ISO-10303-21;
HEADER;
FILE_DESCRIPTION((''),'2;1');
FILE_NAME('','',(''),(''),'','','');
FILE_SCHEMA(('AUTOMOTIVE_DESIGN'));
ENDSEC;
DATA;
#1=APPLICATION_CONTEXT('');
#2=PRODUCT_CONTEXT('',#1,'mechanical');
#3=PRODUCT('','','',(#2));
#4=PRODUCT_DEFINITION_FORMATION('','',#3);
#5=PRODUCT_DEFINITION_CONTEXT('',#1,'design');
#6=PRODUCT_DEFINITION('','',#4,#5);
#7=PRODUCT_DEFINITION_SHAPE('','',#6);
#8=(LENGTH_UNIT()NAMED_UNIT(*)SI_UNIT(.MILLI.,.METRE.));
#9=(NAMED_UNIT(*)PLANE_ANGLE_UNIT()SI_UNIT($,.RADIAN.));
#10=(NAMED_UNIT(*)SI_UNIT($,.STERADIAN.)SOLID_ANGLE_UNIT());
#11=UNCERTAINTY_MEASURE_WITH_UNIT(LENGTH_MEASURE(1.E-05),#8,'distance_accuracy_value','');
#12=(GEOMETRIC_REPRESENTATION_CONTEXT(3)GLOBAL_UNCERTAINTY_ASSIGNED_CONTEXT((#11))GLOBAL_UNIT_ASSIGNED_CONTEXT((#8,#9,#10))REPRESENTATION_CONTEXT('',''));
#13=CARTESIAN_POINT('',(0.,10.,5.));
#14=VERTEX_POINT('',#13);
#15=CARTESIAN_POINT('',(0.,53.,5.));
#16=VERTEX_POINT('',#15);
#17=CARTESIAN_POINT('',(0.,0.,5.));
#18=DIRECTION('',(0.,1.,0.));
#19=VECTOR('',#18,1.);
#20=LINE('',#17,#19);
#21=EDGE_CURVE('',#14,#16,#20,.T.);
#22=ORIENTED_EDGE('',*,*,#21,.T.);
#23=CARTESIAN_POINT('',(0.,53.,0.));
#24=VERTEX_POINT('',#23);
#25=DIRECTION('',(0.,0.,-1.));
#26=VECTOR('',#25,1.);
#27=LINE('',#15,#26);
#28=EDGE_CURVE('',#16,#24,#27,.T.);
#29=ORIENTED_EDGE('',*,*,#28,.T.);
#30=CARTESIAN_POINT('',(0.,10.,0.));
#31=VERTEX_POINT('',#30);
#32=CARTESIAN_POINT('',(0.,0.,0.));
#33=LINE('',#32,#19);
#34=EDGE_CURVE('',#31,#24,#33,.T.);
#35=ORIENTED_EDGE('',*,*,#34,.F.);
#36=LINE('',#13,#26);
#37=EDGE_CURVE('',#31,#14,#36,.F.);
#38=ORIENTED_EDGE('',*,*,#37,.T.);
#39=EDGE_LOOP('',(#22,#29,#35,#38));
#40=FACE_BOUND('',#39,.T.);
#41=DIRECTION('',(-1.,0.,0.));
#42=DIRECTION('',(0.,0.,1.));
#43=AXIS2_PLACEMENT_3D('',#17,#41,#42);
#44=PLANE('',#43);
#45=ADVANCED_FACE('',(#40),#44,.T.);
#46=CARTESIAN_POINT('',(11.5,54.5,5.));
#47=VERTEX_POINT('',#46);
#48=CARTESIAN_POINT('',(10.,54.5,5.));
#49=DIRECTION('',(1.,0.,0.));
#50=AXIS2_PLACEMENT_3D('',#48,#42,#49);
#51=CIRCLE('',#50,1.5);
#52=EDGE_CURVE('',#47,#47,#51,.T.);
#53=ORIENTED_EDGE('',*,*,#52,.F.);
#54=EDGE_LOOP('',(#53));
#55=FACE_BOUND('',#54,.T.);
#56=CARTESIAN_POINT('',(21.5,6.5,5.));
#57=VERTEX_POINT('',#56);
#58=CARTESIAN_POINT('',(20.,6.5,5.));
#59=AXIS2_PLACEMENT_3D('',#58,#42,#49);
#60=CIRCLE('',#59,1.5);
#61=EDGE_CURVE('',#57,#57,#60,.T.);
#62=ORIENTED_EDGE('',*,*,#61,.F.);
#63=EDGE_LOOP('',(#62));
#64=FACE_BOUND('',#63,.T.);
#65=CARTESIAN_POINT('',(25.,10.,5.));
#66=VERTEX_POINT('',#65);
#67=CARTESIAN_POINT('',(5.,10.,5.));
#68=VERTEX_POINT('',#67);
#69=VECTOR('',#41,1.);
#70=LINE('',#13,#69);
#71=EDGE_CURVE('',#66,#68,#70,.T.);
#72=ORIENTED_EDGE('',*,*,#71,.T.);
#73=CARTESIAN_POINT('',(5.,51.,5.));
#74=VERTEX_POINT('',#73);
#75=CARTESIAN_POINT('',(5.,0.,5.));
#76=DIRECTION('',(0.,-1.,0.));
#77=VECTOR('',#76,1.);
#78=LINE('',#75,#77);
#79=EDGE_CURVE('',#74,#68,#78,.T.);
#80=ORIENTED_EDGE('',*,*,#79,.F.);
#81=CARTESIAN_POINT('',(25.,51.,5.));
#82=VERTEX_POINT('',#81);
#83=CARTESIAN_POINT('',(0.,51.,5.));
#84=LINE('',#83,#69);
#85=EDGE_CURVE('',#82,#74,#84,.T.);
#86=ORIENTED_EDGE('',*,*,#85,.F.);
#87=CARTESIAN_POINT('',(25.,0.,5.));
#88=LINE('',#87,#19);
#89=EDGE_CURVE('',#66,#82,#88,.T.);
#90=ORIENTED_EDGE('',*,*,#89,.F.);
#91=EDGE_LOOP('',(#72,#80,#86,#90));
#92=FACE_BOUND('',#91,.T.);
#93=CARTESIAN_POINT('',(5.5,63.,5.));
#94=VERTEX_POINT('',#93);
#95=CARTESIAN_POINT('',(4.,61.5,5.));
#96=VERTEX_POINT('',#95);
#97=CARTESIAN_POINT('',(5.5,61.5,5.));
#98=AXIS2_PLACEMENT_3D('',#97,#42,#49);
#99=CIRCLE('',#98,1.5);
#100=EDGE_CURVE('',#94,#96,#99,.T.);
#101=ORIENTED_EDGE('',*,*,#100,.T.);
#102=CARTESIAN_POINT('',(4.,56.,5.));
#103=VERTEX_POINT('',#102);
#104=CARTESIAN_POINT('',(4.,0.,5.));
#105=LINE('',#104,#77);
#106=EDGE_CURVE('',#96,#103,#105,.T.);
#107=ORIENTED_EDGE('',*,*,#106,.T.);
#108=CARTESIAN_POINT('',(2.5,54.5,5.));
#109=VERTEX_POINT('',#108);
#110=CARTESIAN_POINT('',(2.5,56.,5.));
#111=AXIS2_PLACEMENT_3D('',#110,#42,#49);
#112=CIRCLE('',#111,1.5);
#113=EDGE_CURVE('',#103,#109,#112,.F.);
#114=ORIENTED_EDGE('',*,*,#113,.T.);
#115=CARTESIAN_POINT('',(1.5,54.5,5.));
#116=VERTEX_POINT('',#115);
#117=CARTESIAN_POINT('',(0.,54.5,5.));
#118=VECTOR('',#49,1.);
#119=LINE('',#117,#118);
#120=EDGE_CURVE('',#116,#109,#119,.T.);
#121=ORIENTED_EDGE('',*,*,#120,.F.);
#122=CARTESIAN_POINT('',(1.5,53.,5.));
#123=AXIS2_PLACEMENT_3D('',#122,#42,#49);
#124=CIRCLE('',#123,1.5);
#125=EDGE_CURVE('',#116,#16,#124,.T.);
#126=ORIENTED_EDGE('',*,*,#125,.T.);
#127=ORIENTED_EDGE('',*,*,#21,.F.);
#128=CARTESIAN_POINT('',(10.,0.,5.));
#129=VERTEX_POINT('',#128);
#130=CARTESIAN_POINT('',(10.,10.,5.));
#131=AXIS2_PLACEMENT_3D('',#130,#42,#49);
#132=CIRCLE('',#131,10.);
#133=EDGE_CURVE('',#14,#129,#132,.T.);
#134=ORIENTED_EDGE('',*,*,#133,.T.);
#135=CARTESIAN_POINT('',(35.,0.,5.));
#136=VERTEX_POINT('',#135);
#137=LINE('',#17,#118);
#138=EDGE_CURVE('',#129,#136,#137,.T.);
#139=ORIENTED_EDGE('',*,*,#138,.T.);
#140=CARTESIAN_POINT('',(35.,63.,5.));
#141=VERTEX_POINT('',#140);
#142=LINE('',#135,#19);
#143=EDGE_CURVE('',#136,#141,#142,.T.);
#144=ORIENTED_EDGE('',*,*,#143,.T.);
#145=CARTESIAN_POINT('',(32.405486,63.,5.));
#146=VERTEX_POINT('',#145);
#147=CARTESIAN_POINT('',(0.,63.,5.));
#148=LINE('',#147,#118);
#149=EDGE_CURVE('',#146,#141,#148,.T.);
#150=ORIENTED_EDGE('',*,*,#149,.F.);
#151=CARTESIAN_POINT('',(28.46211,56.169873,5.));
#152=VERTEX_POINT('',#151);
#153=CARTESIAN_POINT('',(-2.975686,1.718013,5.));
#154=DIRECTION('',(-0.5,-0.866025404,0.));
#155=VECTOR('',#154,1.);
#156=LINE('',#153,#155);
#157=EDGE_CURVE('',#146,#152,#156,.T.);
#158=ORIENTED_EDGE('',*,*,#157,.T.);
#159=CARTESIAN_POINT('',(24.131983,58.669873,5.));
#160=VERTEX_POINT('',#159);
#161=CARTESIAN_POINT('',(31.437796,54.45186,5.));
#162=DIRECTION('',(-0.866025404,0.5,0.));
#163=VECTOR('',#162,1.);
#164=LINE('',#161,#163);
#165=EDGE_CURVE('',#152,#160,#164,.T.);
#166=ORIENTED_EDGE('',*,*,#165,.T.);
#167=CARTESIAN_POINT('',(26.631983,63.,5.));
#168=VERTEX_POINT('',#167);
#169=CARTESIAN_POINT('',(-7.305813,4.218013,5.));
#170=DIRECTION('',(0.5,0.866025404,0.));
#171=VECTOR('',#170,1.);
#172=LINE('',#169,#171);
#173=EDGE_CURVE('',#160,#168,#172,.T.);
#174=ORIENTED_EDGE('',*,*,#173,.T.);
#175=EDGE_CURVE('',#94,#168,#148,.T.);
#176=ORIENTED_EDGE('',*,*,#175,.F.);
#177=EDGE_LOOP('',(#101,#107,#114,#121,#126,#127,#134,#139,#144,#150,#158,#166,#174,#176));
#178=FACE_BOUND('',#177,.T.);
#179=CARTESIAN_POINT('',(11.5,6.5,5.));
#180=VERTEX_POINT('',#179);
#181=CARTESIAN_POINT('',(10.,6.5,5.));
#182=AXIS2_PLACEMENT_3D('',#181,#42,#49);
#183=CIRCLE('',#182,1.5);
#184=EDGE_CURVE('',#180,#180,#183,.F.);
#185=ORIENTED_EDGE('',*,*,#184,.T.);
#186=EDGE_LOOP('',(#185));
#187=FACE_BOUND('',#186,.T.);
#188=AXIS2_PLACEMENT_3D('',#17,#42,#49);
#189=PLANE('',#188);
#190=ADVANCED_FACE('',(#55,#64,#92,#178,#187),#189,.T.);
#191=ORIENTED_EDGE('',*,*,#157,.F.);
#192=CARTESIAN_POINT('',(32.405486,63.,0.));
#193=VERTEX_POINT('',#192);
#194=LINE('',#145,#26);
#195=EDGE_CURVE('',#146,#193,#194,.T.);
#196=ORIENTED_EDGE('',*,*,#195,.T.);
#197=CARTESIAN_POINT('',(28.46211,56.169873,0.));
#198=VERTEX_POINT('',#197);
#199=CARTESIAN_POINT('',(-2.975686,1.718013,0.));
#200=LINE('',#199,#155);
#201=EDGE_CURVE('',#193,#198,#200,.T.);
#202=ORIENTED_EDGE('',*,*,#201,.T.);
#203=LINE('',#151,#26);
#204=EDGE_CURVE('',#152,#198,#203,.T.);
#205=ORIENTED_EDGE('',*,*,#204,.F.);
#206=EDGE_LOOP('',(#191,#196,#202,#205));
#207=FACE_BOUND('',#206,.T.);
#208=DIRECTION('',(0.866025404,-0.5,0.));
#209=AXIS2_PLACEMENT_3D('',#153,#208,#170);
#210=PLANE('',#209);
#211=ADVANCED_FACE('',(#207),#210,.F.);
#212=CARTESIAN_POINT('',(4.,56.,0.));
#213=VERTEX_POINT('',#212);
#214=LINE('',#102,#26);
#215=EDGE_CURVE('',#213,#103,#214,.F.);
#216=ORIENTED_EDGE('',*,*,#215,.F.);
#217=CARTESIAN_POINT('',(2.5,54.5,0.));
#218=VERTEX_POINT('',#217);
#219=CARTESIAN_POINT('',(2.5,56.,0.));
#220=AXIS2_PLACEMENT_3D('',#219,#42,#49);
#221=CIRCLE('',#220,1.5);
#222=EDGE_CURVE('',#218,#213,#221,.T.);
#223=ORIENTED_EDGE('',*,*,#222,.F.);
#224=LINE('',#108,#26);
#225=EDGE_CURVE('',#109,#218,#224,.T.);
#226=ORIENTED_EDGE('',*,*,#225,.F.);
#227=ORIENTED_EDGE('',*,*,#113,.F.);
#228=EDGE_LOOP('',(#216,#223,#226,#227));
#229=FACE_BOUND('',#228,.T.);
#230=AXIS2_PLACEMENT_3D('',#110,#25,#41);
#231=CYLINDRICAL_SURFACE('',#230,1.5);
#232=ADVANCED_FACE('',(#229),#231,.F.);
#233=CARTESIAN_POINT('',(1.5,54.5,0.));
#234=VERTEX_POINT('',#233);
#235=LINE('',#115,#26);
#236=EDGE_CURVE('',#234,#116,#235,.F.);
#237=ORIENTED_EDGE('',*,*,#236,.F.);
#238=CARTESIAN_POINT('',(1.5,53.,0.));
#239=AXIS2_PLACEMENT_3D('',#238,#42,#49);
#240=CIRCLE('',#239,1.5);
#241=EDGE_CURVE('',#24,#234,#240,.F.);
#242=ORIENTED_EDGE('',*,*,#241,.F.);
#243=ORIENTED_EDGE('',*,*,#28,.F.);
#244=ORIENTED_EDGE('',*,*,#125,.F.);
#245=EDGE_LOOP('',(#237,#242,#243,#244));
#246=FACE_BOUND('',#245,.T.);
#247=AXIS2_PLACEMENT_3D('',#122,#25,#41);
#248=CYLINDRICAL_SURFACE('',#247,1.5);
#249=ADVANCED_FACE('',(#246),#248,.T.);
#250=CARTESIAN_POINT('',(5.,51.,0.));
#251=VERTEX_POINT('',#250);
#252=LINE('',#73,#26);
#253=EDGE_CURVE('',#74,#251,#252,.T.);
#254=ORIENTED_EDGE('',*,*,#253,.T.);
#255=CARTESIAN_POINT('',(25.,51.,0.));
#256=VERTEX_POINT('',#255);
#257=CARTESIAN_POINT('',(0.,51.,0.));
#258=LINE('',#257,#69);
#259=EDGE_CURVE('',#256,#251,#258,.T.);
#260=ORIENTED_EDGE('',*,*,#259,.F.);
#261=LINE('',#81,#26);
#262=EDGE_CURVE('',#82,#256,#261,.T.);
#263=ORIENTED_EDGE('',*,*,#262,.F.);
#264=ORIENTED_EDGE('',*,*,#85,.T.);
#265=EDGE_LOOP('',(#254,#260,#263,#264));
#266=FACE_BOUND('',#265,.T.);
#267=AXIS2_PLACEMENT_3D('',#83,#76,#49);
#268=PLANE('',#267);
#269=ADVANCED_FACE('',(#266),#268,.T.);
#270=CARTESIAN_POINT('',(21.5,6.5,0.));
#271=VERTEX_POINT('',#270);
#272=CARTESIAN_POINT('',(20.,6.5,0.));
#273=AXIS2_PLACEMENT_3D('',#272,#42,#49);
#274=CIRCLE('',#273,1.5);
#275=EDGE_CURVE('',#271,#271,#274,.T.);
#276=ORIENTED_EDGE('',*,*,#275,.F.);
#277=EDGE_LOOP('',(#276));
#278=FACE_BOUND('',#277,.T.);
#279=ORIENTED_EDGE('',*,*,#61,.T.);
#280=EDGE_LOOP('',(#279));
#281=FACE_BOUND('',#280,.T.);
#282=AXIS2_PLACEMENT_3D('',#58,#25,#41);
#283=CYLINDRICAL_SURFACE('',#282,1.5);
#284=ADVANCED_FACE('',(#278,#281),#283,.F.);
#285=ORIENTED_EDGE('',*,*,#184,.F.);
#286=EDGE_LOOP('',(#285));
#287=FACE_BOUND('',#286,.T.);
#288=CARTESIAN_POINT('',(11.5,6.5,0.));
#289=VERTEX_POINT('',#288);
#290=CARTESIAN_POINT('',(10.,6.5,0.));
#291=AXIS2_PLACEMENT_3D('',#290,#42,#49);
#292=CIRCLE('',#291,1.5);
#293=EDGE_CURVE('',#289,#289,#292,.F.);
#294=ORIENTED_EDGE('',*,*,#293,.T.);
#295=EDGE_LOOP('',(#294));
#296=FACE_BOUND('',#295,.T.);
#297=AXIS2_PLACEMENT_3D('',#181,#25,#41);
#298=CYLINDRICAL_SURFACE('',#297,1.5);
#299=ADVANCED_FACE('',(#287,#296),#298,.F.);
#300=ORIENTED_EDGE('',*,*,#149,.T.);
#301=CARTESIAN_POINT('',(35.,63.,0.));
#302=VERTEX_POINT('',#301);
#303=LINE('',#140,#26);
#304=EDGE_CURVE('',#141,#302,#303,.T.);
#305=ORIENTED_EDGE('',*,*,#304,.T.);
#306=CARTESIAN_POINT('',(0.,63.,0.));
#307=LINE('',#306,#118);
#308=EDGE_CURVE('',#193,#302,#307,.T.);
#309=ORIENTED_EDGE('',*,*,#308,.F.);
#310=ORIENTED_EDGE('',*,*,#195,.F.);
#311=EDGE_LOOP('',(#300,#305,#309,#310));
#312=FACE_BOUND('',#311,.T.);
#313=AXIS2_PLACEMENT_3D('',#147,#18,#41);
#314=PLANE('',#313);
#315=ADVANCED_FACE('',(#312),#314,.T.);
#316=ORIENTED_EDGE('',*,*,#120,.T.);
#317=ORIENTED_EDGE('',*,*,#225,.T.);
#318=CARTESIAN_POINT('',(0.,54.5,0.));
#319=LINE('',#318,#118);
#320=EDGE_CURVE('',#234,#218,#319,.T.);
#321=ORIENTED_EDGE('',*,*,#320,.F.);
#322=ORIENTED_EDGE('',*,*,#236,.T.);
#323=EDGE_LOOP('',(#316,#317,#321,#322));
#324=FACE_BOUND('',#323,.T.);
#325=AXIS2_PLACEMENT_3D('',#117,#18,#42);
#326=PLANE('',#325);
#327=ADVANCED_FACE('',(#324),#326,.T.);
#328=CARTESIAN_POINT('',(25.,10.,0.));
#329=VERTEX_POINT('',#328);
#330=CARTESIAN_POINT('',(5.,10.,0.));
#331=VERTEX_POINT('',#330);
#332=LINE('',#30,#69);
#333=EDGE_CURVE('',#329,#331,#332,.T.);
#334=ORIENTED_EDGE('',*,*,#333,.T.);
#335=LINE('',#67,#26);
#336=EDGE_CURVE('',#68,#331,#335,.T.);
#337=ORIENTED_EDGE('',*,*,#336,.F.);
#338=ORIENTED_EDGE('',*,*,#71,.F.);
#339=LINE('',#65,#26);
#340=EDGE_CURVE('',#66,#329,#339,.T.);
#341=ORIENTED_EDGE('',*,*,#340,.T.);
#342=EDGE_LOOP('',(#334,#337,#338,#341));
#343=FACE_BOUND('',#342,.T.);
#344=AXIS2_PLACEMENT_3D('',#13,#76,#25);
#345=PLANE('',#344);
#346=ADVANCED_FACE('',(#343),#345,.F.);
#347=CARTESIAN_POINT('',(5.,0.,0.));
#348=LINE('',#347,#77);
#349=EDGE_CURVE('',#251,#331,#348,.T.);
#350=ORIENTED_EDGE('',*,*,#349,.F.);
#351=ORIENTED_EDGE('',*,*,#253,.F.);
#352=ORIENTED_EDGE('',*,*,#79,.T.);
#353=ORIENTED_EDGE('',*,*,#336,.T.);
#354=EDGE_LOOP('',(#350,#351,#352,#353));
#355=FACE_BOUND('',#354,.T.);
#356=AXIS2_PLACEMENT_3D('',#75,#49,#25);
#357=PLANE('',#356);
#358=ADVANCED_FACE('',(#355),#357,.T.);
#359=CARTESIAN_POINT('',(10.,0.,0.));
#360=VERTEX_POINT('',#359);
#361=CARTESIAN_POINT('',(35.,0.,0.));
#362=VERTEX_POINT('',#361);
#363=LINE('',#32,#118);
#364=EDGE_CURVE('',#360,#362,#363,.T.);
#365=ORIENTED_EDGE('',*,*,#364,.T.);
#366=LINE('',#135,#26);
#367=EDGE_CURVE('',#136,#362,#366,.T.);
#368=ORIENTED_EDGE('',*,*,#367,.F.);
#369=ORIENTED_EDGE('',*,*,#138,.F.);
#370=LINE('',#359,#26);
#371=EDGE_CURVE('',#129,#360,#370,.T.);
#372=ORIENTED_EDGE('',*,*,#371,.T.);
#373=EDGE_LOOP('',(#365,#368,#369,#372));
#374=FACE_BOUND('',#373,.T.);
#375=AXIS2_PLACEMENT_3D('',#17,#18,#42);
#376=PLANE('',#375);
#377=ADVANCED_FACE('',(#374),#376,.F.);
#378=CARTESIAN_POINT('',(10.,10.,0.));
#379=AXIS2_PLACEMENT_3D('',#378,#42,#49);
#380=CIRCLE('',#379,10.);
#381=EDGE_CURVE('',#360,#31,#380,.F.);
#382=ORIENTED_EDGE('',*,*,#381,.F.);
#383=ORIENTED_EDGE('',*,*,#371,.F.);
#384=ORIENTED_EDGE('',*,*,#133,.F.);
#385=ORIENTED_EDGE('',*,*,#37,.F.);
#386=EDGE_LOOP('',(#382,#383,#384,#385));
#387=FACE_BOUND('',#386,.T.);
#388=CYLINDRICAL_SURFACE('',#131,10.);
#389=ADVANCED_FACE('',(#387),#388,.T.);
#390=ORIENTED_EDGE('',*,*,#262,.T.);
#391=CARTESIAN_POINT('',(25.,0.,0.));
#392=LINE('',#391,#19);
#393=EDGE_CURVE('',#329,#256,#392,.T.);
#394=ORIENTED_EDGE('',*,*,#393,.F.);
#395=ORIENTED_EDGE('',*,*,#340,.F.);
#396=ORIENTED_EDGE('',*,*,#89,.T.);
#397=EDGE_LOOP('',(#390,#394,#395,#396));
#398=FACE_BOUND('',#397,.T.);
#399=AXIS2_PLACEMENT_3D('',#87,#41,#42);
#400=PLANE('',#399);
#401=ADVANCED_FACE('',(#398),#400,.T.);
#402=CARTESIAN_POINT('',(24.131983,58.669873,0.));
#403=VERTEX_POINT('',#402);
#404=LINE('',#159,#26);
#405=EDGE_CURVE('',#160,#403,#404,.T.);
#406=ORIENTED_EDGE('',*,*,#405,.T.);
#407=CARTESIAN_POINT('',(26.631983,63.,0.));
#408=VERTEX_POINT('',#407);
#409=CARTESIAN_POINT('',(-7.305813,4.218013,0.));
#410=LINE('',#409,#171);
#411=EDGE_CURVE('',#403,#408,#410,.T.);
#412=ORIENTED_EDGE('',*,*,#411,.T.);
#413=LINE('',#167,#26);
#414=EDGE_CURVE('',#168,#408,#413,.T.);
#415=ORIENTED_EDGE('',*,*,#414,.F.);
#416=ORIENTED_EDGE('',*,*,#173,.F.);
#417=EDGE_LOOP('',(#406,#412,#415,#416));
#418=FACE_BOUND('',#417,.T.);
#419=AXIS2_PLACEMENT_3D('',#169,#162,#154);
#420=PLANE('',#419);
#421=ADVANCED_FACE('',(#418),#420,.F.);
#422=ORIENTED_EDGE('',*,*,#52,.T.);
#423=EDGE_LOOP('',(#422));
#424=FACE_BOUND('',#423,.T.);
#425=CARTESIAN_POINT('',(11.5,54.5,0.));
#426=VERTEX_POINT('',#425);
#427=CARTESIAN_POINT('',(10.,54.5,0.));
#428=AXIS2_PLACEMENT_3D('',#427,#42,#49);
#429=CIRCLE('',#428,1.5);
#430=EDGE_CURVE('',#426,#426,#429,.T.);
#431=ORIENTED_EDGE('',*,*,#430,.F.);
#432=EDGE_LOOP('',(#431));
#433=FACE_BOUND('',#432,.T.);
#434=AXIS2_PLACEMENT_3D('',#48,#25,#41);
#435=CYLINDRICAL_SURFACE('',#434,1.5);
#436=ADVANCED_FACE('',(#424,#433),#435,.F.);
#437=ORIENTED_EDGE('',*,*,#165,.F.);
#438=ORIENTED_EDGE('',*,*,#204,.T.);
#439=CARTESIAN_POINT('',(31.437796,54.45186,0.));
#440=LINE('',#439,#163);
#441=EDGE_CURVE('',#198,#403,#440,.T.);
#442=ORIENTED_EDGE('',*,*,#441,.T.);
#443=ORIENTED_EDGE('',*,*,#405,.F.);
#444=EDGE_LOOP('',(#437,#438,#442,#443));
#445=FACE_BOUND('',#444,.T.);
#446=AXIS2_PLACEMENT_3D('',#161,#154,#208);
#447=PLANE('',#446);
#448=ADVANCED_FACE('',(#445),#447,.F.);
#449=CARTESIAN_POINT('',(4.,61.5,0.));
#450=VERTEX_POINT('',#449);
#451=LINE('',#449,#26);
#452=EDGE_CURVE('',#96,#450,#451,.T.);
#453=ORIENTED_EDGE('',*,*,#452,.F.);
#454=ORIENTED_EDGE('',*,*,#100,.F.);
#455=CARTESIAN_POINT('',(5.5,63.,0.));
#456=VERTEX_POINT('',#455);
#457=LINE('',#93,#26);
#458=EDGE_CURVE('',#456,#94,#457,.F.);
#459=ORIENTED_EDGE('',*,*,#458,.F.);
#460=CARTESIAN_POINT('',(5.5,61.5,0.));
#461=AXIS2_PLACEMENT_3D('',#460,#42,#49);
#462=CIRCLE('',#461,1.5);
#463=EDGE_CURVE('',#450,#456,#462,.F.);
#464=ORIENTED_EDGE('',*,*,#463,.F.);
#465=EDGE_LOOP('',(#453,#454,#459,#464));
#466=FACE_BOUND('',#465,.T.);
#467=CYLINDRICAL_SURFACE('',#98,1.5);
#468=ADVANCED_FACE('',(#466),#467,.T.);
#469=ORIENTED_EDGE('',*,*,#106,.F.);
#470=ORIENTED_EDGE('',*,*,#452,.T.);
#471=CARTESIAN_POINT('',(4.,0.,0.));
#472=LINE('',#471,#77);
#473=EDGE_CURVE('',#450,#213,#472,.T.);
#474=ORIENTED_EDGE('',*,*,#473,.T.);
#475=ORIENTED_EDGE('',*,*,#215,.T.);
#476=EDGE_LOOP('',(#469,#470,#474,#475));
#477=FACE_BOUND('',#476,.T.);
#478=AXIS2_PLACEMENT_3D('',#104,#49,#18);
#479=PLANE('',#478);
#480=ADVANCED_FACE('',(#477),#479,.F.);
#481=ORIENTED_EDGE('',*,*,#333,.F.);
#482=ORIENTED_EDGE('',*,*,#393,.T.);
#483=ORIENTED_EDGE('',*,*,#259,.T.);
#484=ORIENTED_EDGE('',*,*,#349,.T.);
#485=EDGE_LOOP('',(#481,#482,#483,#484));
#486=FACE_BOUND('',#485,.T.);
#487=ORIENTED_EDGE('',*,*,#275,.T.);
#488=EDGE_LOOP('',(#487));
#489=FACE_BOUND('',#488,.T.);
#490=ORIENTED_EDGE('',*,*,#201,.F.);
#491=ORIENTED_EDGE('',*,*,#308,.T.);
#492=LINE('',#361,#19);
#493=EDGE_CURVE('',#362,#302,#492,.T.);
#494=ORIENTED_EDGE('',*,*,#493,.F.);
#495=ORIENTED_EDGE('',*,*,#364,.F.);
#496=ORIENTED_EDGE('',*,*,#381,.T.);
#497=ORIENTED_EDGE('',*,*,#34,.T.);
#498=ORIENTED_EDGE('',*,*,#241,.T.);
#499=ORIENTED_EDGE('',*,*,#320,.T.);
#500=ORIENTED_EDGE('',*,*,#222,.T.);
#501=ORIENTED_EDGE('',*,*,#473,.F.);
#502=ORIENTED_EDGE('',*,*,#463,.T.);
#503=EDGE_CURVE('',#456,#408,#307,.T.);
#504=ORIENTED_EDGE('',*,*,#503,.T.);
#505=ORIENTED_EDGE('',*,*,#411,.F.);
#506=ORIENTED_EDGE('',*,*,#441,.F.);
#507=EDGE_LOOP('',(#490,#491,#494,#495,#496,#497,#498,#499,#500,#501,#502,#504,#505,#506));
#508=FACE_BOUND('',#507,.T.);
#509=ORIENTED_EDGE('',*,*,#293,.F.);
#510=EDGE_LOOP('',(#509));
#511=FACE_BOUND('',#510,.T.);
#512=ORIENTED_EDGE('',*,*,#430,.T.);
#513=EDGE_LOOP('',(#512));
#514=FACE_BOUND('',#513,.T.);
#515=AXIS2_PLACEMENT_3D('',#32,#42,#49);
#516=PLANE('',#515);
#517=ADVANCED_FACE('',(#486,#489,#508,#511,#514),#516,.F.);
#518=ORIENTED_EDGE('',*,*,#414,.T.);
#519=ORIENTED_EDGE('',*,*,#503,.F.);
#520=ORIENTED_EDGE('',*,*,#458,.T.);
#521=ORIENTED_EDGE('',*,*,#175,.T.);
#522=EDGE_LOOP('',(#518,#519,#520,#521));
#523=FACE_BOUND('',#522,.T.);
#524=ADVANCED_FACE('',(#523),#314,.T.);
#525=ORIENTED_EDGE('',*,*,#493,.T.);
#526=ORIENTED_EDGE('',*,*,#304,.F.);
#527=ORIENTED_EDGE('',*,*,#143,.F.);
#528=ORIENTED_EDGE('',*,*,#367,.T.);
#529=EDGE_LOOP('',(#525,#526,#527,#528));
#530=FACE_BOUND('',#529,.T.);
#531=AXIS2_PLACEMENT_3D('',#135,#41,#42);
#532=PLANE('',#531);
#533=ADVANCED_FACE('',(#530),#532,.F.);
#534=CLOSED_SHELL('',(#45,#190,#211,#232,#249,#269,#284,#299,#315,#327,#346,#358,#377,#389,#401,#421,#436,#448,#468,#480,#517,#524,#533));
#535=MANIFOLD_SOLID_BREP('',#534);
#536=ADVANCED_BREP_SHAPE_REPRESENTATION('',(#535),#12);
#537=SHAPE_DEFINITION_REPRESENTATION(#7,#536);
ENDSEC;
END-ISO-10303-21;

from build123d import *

# Parameters (mm, degrees)
ESQUISSE1_R        = 1.5
BOSS_EXTRU_1_DEPTH = 5
CONG_2_R           = 10
CONG_4_R           = 1.5


with BuildPart() as part:
    # Esquisse1 → Boss.-Extru.1 (new body)
    with BuildSketch(Plane.XY):
        Polygon((0, 0), (25, 0), (35, 0), (35, 63), (32.405486101, 63), (28.462110428, 56.169872981), (24.131983409, 58.669872981), (26.631983409, 63), (4, 63), (4, 54.5), (0, 54.5), align=None)
        with Locations((10, 54.5)):
            Circle(ESQUISSE1_R, mode=Mode.SUBTRACT)
        with Locations((20, 6.5)):
            Circle(ESQUISSE1_R, mode=Mode.SUBTRACT)
        with Locations((10, 6.5)):
            Circle(ESQUISSE1_R, mode=Mode.SUBTRACT)
        Polygon((15, 51), (5, 51), (5, 10), (25, 10), (25, 51), align=None, mode=Mode.SUBTRACT)
    extrude(amount=BOSS_EXTRU_1_DEPTH)

    # Congé2
    cong_2_edges = [part.edges().sort_by_distance(p)[0] for p in [
        (0, 0, 2.5),
    ]]
    fillet(cong_2_edges, radius=CONG_2_R)

    # Congé4
    cong_4_edges = [part.edges().sort_by_distance(p)[0] for p in [
        (0, 54.5, 2.5),
        (4, 54.5, 2.5),
        (4, 63, 2.5),
    ]]
    fillet(cong_4_edges, radius=CONG_4_R)


solid = part.part
